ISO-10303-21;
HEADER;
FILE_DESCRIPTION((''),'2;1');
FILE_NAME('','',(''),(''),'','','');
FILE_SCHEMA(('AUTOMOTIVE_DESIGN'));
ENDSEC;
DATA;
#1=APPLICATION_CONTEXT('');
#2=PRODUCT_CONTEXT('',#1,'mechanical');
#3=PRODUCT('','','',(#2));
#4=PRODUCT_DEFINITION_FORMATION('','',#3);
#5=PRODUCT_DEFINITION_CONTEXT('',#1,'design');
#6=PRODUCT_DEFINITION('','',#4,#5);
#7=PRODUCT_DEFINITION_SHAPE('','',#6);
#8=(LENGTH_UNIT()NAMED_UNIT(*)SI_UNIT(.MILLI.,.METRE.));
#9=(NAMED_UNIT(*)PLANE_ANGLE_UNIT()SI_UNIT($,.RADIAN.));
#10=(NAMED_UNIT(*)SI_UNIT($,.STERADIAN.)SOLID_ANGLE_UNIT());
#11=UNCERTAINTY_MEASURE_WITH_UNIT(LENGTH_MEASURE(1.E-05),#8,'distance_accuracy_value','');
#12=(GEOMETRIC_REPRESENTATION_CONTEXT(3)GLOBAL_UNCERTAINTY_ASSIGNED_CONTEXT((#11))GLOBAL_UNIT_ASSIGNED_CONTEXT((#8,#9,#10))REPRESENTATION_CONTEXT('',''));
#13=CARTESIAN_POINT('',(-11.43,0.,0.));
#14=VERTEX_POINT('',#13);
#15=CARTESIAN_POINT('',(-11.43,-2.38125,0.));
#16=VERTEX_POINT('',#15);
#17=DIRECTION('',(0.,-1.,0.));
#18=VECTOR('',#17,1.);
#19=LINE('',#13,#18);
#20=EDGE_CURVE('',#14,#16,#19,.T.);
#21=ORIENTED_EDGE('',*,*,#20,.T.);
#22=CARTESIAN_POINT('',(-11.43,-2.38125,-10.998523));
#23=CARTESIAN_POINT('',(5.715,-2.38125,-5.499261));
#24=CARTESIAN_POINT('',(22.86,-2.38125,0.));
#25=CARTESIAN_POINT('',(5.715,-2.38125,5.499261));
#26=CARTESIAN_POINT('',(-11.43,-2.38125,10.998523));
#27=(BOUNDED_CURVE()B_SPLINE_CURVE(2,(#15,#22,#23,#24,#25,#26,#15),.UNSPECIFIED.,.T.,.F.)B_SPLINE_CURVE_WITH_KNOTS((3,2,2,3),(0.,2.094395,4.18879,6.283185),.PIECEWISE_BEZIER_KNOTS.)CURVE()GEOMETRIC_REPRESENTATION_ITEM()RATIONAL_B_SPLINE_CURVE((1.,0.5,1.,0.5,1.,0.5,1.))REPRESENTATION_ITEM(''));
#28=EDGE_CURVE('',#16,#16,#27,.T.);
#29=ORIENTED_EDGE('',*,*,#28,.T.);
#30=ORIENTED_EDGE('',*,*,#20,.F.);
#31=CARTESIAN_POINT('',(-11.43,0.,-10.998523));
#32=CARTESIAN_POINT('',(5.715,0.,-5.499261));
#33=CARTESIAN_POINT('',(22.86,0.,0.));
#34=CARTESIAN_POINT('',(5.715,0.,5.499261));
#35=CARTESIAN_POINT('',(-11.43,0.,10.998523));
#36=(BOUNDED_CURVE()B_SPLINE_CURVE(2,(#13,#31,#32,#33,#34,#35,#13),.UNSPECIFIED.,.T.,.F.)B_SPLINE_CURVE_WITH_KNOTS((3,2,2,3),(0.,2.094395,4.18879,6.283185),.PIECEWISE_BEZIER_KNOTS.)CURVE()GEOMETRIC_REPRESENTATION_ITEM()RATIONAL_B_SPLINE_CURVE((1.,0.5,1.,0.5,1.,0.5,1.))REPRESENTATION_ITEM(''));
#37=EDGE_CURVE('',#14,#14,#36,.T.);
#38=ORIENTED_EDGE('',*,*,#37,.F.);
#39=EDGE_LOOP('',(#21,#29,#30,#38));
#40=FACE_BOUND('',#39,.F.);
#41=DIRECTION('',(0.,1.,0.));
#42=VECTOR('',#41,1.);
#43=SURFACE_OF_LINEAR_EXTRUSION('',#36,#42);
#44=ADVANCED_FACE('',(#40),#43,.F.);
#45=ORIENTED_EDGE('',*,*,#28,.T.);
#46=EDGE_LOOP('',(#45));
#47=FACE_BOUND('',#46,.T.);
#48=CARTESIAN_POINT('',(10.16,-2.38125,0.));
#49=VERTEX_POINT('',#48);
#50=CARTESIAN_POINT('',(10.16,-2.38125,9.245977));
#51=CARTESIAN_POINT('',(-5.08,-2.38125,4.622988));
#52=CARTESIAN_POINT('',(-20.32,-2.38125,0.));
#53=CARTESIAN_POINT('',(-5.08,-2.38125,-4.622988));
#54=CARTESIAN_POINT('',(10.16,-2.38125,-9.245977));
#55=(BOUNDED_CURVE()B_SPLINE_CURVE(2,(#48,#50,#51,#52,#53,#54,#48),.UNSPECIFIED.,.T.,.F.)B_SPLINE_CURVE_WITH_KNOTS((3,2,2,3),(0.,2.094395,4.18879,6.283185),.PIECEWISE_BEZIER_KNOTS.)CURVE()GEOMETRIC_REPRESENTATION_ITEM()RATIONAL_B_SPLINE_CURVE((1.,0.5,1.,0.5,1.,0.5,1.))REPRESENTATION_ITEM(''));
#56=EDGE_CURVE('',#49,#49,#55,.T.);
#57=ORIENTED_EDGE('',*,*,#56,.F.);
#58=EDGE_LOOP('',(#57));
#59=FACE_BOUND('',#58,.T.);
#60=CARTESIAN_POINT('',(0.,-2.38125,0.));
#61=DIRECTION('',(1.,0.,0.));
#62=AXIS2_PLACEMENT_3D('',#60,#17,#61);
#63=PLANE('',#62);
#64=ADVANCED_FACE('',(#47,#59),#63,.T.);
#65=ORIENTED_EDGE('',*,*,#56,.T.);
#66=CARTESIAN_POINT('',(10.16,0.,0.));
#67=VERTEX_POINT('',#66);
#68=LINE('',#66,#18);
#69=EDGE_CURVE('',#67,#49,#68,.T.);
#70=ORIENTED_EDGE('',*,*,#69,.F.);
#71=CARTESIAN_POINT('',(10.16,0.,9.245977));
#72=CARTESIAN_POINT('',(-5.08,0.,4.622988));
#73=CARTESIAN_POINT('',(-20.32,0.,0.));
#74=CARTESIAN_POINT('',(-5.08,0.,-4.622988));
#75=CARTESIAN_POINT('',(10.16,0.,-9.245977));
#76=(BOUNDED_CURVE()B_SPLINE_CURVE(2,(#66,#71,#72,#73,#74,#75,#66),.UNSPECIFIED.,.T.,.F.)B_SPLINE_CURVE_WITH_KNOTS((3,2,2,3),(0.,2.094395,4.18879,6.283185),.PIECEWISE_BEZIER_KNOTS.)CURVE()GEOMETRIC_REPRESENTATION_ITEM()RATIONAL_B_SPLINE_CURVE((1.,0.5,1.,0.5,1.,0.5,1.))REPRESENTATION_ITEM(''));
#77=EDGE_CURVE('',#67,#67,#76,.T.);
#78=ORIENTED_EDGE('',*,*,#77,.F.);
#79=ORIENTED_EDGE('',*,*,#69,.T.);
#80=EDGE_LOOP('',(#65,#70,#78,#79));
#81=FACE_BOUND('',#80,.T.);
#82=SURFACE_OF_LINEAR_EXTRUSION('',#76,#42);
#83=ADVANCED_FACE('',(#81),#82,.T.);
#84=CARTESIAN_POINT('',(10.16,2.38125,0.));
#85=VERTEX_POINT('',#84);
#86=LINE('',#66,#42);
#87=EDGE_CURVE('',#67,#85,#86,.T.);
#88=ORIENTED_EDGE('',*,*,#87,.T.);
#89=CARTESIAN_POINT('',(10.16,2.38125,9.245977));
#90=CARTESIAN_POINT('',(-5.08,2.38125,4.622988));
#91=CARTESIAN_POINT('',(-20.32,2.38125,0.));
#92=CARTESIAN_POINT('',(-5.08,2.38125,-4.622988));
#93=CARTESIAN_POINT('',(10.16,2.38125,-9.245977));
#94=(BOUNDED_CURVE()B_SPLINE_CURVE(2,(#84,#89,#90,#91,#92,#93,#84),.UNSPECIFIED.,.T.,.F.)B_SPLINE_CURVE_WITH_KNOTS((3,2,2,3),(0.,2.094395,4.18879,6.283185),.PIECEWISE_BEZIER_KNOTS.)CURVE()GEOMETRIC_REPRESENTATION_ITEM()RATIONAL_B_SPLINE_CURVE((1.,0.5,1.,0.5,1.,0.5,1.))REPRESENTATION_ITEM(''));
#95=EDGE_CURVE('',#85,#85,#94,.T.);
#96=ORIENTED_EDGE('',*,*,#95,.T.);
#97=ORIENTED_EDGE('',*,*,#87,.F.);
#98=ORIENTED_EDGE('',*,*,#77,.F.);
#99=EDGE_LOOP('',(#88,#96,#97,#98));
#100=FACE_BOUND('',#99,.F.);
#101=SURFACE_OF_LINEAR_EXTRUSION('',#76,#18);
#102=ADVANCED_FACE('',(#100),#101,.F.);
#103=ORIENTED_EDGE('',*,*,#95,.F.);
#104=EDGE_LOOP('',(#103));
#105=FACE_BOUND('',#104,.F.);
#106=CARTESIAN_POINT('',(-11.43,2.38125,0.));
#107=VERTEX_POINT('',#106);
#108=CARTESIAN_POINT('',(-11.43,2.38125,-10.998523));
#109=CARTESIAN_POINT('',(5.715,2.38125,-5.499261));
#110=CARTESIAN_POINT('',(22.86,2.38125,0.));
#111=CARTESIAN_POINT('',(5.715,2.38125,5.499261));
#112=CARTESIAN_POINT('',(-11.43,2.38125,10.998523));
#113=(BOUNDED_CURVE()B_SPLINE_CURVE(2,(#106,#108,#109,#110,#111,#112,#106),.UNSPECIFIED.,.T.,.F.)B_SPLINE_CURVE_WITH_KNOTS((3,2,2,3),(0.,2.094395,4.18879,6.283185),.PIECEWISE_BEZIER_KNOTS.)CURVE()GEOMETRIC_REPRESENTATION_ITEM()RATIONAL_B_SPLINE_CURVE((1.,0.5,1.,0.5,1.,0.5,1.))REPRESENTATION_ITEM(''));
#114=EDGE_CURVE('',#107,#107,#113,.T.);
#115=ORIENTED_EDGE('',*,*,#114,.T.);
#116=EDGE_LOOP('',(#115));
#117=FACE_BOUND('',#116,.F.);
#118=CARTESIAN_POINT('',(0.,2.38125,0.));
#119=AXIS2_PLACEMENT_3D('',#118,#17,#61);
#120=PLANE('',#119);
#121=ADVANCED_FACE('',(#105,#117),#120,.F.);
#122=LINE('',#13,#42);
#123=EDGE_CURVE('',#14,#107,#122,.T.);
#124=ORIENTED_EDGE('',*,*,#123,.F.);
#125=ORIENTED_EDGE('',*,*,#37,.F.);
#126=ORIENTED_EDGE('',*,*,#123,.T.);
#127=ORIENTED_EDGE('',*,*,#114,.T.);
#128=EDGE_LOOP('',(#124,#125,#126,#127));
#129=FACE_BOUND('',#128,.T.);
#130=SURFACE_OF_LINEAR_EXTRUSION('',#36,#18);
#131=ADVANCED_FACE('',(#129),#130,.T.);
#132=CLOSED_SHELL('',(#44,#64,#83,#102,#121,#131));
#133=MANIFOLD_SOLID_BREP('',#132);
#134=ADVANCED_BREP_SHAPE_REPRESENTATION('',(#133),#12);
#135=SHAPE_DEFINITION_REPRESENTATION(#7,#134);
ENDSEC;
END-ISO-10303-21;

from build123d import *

# Parameters (mm, degrees)
F1_DEPTH = 2.38125


with BuildPart() as f1:
    # F0 (on Front) → F1 (new body, symmetric)
    with BuildSketch(Plane.XZ):
        with BuildLine():
            add(Edge.make_bspline(
                [(-11.43, 0), (-11.43, -10.998523), (5.715, -5.499261), (22.86, 0), (5.715, 5.499261), (-11.43, 10.998523), (-11.43, 0)],
                knots=[0, 0, 0, 2.094395, 2.094395, 4.18879, 4.18879, 6.283185, 6.283185, 6.283185], degree=2, weights=[1, 0.5, 1, 0.5, 1, 0.5, 1]))
        make_face()
        with BuildLine():
            add(Edge.make_bspline(
                [(10.16, 0), (10.16, 9.245977), (-5.08, 4.622988), (-20.32, 0), (-5.08, -4.622988), (10.16, -9.245977), (10.16, 0)],
                knots=[0, 0, 0, 2.094395, 2.094395, 4.18879, 4.18879, 6.283185, 6.283185, 6.283185], degree=2, weights=[1, 0.5, 1, 0.5, 1, 0.5, 1]))
        make_face(mode=Mode.SUBTRACT)
    extrude(amount=F1_DEPTH, both=True)


solid = f1.part
